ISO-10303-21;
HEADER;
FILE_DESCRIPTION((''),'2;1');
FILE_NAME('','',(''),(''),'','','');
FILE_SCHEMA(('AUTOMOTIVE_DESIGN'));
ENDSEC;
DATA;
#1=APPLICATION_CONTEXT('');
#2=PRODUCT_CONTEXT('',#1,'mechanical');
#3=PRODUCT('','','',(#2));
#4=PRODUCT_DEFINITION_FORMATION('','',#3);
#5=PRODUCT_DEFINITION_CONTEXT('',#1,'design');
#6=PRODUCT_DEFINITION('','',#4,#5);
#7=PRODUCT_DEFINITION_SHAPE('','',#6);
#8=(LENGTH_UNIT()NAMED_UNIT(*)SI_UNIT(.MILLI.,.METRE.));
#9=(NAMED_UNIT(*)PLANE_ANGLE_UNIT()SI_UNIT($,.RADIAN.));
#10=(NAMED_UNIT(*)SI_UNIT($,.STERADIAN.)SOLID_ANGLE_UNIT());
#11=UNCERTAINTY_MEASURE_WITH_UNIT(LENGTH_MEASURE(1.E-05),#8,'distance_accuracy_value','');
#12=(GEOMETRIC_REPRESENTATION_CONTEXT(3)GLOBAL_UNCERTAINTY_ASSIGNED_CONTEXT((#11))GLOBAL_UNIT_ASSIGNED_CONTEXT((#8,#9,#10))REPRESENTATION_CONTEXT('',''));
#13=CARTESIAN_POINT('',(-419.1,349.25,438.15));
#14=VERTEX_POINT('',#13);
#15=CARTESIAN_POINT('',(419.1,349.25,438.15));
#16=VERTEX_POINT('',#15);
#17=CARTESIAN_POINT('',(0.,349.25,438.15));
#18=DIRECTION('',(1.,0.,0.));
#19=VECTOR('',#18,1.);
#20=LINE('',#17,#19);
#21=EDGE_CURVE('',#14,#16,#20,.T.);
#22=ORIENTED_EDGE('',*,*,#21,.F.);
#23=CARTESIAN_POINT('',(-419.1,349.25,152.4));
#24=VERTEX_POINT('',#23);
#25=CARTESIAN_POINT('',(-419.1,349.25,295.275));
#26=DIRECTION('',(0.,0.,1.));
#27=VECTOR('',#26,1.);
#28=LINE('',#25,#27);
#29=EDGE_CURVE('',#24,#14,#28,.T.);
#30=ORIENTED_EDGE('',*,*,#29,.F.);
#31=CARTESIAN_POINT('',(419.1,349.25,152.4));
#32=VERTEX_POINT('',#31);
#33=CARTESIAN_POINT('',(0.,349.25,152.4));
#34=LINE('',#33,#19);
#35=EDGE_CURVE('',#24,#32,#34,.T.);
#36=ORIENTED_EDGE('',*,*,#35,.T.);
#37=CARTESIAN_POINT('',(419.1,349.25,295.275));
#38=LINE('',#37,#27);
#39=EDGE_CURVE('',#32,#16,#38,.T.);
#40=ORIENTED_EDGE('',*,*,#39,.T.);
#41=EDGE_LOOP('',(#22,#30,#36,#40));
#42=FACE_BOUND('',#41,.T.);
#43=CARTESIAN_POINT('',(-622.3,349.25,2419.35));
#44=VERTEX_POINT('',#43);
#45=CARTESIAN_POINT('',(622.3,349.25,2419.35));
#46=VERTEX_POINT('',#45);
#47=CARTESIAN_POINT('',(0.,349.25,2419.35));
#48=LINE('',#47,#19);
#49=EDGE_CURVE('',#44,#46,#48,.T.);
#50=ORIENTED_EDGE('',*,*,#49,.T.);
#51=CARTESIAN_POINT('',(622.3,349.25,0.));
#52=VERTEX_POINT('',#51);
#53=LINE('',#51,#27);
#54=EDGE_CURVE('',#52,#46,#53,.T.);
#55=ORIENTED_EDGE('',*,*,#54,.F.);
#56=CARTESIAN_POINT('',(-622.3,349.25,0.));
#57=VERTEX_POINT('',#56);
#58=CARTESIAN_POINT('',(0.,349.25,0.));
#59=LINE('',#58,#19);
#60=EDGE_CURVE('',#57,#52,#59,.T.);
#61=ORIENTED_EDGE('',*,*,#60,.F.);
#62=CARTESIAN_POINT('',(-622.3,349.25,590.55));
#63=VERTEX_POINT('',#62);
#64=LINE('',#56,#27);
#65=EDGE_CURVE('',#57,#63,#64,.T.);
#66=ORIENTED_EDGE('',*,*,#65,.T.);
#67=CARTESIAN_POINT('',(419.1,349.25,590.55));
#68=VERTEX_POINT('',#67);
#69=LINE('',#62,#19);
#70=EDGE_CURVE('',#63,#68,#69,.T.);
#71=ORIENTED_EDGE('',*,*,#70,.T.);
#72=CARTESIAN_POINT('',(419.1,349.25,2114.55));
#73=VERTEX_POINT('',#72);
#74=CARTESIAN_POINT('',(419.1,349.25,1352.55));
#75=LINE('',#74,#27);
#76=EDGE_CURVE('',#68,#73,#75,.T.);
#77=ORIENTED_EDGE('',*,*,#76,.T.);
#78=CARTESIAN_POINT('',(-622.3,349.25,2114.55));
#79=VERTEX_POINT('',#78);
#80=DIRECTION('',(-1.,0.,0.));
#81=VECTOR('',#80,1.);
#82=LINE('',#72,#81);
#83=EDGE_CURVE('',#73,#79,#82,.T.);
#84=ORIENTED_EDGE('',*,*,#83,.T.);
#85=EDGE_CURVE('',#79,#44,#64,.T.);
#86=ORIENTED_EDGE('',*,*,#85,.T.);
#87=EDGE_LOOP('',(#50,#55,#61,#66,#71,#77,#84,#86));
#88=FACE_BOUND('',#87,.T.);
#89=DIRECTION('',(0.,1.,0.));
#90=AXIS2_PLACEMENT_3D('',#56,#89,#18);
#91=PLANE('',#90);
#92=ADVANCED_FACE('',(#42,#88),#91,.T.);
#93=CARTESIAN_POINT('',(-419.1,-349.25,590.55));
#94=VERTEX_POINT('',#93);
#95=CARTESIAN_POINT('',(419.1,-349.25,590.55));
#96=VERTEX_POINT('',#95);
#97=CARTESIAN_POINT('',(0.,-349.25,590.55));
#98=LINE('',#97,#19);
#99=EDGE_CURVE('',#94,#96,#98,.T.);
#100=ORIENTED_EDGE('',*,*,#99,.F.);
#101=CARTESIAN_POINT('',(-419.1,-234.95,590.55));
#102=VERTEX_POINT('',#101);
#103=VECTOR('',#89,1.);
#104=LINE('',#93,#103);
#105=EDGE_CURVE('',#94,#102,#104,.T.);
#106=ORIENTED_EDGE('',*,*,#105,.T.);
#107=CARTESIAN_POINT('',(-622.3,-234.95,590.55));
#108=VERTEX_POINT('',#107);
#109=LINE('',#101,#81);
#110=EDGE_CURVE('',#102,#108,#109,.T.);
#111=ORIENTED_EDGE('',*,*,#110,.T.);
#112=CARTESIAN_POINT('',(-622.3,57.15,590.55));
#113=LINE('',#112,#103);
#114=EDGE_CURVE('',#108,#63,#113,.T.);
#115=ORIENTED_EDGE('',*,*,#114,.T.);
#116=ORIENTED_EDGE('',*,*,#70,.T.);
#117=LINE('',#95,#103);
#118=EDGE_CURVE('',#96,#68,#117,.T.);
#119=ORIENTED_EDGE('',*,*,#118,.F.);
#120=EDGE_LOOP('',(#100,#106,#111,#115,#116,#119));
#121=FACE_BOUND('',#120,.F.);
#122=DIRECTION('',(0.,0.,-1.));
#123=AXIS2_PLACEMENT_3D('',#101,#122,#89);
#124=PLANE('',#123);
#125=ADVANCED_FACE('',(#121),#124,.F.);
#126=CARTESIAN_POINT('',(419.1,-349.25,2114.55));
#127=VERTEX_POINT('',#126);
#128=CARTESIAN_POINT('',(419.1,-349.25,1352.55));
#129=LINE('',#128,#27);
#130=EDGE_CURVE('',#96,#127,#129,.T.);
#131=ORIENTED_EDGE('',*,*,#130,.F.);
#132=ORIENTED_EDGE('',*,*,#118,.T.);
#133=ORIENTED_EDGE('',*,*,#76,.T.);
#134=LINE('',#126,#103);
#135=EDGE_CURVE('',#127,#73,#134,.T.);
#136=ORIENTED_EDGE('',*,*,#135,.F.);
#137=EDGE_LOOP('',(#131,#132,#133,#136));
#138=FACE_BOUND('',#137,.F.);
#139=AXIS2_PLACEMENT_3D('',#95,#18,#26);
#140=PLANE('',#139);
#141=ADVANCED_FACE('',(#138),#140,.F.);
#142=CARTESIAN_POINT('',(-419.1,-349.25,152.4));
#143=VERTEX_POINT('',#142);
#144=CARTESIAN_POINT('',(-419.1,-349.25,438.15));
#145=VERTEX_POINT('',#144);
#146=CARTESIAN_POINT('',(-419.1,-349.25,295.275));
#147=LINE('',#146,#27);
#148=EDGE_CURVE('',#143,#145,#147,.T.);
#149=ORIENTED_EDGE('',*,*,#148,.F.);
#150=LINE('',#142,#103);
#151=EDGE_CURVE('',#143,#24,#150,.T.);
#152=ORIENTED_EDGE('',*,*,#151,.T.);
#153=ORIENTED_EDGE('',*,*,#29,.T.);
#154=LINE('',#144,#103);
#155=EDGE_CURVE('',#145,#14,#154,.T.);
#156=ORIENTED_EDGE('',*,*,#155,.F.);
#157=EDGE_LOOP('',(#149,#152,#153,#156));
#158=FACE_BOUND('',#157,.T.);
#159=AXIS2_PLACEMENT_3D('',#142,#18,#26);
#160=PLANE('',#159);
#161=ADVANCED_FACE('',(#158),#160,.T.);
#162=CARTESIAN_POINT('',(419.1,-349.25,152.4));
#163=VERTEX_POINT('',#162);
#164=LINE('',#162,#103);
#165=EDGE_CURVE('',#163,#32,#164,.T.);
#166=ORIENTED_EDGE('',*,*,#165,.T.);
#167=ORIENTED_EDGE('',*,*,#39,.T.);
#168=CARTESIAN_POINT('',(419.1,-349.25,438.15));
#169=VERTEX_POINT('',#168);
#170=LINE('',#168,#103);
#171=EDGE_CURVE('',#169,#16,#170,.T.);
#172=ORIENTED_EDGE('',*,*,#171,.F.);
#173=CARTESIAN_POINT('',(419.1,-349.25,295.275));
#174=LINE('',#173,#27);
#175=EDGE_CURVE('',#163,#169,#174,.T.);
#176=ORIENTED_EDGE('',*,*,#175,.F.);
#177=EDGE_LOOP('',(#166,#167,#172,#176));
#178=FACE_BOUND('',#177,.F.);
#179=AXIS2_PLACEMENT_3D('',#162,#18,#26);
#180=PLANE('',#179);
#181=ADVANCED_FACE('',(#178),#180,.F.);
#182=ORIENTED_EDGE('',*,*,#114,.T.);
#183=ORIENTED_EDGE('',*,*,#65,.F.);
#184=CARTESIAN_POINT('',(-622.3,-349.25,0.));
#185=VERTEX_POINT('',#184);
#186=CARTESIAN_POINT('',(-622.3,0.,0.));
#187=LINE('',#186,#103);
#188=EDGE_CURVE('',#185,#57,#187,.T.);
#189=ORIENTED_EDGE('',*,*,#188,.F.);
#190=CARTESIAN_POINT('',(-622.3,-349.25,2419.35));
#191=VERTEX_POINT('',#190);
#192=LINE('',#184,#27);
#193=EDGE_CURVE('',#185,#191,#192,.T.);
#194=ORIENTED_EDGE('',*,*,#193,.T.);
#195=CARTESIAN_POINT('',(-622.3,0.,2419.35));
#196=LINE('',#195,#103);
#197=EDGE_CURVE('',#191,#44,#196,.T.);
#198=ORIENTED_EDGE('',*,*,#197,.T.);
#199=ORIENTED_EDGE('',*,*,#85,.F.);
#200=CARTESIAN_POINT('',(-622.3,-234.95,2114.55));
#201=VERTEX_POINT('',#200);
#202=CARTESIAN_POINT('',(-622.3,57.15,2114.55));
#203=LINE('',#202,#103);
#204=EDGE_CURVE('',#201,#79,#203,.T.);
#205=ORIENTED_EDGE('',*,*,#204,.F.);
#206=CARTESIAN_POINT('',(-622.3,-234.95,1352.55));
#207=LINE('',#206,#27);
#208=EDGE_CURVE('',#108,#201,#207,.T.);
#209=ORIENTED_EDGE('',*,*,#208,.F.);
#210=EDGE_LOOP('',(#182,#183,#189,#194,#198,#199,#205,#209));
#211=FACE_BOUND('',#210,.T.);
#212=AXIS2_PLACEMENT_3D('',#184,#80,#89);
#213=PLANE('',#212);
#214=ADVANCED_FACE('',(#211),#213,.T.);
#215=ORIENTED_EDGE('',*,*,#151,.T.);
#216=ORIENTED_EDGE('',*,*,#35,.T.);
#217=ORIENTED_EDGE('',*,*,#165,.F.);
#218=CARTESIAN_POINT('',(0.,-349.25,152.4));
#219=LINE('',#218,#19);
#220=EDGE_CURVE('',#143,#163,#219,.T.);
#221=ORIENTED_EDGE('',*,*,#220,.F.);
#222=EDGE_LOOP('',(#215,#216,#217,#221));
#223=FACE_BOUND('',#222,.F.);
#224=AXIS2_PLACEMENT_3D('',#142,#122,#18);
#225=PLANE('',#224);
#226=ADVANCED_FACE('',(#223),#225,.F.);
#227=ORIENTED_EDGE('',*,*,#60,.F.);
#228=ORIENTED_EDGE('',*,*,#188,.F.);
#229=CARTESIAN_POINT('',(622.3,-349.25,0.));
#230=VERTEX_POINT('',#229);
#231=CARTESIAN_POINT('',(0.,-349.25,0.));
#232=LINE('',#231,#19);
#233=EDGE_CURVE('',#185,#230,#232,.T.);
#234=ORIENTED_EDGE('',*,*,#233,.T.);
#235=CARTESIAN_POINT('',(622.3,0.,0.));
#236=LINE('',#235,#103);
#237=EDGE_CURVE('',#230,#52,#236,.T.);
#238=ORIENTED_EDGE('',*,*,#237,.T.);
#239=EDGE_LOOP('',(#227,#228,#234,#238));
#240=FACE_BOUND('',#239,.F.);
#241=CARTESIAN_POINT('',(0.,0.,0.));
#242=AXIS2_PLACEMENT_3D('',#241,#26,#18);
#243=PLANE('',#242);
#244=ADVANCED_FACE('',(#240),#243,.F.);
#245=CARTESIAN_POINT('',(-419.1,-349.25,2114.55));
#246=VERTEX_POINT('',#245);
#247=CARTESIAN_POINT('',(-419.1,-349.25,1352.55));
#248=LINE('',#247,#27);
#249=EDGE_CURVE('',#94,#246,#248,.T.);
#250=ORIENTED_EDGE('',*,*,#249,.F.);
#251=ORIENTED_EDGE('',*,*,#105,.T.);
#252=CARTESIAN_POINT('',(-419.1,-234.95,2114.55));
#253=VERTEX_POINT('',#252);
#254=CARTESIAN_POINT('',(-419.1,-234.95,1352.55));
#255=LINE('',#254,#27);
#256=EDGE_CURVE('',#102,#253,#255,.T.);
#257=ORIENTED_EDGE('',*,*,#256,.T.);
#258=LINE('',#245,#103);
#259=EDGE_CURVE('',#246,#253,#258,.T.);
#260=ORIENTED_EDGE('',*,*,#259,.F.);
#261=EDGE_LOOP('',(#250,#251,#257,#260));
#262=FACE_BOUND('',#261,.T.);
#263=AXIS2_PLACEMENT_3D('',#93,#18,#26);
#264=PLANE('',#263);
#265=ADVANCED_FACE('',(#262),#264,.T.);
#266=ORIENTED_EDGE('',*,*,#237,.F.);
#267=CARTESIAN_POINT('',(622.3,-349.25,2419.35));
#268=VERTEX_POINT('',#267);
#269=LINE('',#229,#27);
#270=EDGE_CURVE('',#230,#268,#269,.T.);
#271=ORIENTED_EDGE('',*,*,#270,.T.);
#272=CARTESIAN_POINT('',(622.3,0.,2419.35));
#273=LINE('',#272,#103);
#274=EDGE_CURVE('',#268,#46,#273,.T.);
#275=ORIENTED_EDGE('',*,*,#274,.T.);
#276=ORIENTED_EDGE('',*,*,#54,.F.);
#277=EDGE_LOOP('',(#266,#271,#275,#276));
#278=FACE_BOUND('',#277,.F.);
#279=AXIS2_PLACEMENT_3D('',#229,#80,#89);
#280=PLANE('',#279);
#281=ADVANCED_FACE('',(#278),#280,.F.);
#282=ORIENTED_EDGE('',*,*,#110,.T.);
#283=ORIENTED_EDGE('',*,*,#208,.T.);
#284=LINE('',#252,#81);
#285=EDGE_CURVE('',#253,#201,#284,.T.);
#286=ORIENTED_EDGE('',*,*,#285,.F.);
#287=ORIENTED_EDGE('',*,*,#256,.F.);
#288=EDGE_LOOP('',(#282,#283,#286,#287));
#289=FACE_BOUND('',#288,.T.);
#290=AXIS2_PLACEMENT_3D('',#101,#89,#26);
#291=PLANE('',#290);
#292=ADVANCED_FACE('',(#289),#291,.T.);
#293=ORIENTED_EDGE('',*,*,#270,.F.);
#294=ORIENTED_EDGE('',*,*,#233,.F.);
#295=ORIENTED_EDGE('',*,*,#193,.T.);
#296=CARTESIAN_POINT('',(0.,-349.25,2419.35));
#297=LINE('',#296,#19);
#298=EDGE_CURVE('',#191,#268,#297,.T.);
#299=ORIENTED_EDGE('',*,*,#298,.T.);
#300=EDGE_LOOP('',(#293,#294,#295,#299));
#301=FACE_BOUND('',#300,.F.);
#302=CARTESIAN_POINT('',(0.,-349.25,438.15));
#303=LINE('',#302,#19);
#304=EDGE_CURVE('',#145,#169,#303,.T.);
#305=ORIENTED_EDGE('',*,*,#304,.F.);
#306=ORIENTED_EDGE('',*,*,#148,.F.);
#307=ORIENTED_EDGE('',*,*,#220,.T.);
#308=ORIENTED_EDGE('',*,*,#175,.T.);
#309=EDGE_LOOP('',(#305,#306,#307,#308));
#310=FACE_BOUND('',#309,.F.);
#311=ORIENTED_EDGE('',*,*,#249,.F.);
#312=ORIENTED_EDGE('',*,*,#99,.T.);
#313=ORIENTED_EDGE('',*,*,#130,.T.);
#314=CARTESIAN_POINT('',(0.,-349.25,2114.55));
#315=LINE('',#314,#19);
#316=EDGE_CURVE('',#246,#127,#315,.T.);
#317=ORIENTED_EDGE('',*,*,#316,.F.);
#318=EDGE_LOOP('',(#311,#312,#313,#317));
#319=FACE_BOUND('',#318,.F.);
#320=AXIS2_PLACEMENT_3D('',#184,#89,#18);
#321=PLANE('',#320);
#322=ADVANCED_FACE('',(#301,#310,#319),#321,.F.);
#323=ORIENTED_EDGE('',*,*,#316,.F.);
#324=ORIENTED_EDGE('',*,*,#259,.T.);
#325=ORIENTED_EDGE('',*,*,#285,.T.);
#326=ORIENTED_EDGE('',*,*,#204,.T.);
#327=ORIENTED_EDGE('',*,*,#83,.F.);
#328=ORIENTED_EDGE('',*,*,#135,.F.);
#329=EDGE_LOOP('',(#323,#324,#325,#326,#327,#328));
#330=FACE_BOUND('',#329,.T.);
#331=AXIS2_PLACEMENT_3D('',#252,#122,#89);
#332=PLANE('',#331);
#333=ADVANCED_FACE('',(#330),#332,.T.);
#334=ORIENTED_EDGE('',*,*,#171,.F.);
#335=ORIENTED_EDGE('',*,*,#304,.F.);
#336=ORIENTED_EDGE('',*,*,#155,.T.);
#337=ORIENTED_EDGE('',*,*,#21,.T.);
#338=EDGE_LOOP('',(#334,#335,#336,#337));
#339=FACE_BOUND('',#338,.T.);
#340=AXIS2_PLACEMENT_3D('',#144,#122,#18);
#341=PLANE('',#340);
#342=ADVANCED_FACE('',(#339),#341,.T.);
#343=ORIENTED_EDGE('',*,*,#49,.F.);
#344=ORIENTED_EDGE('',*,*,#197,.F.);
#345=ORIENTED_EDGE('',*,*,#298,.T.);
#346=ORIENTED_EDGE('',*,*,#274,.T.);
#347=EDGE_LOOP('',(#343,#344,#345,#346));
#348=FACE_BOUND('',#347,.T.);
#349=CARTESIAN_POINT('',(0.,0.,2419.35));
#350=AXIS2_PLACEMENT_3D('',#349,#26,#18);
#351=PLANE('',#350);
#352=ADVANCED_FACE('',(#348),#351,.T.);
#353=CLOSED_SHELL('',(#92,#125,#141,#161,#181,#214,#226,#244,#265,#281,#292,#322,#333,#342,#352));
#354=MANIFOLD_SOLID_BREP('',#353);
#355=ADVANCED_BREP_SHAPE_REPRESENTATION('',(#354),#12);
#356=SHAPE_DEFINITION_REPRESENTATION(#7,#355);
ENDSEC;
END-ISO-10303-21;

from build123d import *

# Parameters (mm, degrees)
F0_W     = 1244.6
F0_H     = 698.5
F2_DEPTH = 2419.35
F3_W     = 838.2
F3_H     = 1524
F4_DEPTH = 698.5
F5_W     = 584.2
F5_H     = 1524
F6_DEPTH = 203.2
F7_W     = 838.2
F7_H     = 285.75
F8_DEPTH = 698.5


with BuildPart() as f2:
    # F0 (on Top) → F2 (new body)
    with BuildSketch(Plane.XY):
        Rectangle(F0_W, F0_H)
    extrude(amount=F2_DEPTH)

    # F3 (on face) → F4 (cut)
    with BuildSketch(Plane.XZ.offset(349.25)):
        with Locations((0, 1352.55)):
            Rectangle(F3_W, F3_H)
    extrude(amount=-F4_DEPTH, mode=Mode.SUBTRACT)

    # F5 (on face) → F6 (cut)
    with BuildSketch(Plane.YZ.offset(-419.1)):
        with Locations((57.15, 1352.55)):
            Rectangle(F5_W, F5_H)
    extrude(amount=-F6_DEPTH, mode=Mode.SUBTRACT)

    # F7 (on face) → F8 (cut)
    with BuildSketch(Plane.XZ.offset(349.25)):
        with Locations((0, 295.275)):
            Rectangle(F7_W, F7_H)
    extrude(amount=-F8_DEPTH, mode=Mode.SUBTRACT)


solid = f2.part
